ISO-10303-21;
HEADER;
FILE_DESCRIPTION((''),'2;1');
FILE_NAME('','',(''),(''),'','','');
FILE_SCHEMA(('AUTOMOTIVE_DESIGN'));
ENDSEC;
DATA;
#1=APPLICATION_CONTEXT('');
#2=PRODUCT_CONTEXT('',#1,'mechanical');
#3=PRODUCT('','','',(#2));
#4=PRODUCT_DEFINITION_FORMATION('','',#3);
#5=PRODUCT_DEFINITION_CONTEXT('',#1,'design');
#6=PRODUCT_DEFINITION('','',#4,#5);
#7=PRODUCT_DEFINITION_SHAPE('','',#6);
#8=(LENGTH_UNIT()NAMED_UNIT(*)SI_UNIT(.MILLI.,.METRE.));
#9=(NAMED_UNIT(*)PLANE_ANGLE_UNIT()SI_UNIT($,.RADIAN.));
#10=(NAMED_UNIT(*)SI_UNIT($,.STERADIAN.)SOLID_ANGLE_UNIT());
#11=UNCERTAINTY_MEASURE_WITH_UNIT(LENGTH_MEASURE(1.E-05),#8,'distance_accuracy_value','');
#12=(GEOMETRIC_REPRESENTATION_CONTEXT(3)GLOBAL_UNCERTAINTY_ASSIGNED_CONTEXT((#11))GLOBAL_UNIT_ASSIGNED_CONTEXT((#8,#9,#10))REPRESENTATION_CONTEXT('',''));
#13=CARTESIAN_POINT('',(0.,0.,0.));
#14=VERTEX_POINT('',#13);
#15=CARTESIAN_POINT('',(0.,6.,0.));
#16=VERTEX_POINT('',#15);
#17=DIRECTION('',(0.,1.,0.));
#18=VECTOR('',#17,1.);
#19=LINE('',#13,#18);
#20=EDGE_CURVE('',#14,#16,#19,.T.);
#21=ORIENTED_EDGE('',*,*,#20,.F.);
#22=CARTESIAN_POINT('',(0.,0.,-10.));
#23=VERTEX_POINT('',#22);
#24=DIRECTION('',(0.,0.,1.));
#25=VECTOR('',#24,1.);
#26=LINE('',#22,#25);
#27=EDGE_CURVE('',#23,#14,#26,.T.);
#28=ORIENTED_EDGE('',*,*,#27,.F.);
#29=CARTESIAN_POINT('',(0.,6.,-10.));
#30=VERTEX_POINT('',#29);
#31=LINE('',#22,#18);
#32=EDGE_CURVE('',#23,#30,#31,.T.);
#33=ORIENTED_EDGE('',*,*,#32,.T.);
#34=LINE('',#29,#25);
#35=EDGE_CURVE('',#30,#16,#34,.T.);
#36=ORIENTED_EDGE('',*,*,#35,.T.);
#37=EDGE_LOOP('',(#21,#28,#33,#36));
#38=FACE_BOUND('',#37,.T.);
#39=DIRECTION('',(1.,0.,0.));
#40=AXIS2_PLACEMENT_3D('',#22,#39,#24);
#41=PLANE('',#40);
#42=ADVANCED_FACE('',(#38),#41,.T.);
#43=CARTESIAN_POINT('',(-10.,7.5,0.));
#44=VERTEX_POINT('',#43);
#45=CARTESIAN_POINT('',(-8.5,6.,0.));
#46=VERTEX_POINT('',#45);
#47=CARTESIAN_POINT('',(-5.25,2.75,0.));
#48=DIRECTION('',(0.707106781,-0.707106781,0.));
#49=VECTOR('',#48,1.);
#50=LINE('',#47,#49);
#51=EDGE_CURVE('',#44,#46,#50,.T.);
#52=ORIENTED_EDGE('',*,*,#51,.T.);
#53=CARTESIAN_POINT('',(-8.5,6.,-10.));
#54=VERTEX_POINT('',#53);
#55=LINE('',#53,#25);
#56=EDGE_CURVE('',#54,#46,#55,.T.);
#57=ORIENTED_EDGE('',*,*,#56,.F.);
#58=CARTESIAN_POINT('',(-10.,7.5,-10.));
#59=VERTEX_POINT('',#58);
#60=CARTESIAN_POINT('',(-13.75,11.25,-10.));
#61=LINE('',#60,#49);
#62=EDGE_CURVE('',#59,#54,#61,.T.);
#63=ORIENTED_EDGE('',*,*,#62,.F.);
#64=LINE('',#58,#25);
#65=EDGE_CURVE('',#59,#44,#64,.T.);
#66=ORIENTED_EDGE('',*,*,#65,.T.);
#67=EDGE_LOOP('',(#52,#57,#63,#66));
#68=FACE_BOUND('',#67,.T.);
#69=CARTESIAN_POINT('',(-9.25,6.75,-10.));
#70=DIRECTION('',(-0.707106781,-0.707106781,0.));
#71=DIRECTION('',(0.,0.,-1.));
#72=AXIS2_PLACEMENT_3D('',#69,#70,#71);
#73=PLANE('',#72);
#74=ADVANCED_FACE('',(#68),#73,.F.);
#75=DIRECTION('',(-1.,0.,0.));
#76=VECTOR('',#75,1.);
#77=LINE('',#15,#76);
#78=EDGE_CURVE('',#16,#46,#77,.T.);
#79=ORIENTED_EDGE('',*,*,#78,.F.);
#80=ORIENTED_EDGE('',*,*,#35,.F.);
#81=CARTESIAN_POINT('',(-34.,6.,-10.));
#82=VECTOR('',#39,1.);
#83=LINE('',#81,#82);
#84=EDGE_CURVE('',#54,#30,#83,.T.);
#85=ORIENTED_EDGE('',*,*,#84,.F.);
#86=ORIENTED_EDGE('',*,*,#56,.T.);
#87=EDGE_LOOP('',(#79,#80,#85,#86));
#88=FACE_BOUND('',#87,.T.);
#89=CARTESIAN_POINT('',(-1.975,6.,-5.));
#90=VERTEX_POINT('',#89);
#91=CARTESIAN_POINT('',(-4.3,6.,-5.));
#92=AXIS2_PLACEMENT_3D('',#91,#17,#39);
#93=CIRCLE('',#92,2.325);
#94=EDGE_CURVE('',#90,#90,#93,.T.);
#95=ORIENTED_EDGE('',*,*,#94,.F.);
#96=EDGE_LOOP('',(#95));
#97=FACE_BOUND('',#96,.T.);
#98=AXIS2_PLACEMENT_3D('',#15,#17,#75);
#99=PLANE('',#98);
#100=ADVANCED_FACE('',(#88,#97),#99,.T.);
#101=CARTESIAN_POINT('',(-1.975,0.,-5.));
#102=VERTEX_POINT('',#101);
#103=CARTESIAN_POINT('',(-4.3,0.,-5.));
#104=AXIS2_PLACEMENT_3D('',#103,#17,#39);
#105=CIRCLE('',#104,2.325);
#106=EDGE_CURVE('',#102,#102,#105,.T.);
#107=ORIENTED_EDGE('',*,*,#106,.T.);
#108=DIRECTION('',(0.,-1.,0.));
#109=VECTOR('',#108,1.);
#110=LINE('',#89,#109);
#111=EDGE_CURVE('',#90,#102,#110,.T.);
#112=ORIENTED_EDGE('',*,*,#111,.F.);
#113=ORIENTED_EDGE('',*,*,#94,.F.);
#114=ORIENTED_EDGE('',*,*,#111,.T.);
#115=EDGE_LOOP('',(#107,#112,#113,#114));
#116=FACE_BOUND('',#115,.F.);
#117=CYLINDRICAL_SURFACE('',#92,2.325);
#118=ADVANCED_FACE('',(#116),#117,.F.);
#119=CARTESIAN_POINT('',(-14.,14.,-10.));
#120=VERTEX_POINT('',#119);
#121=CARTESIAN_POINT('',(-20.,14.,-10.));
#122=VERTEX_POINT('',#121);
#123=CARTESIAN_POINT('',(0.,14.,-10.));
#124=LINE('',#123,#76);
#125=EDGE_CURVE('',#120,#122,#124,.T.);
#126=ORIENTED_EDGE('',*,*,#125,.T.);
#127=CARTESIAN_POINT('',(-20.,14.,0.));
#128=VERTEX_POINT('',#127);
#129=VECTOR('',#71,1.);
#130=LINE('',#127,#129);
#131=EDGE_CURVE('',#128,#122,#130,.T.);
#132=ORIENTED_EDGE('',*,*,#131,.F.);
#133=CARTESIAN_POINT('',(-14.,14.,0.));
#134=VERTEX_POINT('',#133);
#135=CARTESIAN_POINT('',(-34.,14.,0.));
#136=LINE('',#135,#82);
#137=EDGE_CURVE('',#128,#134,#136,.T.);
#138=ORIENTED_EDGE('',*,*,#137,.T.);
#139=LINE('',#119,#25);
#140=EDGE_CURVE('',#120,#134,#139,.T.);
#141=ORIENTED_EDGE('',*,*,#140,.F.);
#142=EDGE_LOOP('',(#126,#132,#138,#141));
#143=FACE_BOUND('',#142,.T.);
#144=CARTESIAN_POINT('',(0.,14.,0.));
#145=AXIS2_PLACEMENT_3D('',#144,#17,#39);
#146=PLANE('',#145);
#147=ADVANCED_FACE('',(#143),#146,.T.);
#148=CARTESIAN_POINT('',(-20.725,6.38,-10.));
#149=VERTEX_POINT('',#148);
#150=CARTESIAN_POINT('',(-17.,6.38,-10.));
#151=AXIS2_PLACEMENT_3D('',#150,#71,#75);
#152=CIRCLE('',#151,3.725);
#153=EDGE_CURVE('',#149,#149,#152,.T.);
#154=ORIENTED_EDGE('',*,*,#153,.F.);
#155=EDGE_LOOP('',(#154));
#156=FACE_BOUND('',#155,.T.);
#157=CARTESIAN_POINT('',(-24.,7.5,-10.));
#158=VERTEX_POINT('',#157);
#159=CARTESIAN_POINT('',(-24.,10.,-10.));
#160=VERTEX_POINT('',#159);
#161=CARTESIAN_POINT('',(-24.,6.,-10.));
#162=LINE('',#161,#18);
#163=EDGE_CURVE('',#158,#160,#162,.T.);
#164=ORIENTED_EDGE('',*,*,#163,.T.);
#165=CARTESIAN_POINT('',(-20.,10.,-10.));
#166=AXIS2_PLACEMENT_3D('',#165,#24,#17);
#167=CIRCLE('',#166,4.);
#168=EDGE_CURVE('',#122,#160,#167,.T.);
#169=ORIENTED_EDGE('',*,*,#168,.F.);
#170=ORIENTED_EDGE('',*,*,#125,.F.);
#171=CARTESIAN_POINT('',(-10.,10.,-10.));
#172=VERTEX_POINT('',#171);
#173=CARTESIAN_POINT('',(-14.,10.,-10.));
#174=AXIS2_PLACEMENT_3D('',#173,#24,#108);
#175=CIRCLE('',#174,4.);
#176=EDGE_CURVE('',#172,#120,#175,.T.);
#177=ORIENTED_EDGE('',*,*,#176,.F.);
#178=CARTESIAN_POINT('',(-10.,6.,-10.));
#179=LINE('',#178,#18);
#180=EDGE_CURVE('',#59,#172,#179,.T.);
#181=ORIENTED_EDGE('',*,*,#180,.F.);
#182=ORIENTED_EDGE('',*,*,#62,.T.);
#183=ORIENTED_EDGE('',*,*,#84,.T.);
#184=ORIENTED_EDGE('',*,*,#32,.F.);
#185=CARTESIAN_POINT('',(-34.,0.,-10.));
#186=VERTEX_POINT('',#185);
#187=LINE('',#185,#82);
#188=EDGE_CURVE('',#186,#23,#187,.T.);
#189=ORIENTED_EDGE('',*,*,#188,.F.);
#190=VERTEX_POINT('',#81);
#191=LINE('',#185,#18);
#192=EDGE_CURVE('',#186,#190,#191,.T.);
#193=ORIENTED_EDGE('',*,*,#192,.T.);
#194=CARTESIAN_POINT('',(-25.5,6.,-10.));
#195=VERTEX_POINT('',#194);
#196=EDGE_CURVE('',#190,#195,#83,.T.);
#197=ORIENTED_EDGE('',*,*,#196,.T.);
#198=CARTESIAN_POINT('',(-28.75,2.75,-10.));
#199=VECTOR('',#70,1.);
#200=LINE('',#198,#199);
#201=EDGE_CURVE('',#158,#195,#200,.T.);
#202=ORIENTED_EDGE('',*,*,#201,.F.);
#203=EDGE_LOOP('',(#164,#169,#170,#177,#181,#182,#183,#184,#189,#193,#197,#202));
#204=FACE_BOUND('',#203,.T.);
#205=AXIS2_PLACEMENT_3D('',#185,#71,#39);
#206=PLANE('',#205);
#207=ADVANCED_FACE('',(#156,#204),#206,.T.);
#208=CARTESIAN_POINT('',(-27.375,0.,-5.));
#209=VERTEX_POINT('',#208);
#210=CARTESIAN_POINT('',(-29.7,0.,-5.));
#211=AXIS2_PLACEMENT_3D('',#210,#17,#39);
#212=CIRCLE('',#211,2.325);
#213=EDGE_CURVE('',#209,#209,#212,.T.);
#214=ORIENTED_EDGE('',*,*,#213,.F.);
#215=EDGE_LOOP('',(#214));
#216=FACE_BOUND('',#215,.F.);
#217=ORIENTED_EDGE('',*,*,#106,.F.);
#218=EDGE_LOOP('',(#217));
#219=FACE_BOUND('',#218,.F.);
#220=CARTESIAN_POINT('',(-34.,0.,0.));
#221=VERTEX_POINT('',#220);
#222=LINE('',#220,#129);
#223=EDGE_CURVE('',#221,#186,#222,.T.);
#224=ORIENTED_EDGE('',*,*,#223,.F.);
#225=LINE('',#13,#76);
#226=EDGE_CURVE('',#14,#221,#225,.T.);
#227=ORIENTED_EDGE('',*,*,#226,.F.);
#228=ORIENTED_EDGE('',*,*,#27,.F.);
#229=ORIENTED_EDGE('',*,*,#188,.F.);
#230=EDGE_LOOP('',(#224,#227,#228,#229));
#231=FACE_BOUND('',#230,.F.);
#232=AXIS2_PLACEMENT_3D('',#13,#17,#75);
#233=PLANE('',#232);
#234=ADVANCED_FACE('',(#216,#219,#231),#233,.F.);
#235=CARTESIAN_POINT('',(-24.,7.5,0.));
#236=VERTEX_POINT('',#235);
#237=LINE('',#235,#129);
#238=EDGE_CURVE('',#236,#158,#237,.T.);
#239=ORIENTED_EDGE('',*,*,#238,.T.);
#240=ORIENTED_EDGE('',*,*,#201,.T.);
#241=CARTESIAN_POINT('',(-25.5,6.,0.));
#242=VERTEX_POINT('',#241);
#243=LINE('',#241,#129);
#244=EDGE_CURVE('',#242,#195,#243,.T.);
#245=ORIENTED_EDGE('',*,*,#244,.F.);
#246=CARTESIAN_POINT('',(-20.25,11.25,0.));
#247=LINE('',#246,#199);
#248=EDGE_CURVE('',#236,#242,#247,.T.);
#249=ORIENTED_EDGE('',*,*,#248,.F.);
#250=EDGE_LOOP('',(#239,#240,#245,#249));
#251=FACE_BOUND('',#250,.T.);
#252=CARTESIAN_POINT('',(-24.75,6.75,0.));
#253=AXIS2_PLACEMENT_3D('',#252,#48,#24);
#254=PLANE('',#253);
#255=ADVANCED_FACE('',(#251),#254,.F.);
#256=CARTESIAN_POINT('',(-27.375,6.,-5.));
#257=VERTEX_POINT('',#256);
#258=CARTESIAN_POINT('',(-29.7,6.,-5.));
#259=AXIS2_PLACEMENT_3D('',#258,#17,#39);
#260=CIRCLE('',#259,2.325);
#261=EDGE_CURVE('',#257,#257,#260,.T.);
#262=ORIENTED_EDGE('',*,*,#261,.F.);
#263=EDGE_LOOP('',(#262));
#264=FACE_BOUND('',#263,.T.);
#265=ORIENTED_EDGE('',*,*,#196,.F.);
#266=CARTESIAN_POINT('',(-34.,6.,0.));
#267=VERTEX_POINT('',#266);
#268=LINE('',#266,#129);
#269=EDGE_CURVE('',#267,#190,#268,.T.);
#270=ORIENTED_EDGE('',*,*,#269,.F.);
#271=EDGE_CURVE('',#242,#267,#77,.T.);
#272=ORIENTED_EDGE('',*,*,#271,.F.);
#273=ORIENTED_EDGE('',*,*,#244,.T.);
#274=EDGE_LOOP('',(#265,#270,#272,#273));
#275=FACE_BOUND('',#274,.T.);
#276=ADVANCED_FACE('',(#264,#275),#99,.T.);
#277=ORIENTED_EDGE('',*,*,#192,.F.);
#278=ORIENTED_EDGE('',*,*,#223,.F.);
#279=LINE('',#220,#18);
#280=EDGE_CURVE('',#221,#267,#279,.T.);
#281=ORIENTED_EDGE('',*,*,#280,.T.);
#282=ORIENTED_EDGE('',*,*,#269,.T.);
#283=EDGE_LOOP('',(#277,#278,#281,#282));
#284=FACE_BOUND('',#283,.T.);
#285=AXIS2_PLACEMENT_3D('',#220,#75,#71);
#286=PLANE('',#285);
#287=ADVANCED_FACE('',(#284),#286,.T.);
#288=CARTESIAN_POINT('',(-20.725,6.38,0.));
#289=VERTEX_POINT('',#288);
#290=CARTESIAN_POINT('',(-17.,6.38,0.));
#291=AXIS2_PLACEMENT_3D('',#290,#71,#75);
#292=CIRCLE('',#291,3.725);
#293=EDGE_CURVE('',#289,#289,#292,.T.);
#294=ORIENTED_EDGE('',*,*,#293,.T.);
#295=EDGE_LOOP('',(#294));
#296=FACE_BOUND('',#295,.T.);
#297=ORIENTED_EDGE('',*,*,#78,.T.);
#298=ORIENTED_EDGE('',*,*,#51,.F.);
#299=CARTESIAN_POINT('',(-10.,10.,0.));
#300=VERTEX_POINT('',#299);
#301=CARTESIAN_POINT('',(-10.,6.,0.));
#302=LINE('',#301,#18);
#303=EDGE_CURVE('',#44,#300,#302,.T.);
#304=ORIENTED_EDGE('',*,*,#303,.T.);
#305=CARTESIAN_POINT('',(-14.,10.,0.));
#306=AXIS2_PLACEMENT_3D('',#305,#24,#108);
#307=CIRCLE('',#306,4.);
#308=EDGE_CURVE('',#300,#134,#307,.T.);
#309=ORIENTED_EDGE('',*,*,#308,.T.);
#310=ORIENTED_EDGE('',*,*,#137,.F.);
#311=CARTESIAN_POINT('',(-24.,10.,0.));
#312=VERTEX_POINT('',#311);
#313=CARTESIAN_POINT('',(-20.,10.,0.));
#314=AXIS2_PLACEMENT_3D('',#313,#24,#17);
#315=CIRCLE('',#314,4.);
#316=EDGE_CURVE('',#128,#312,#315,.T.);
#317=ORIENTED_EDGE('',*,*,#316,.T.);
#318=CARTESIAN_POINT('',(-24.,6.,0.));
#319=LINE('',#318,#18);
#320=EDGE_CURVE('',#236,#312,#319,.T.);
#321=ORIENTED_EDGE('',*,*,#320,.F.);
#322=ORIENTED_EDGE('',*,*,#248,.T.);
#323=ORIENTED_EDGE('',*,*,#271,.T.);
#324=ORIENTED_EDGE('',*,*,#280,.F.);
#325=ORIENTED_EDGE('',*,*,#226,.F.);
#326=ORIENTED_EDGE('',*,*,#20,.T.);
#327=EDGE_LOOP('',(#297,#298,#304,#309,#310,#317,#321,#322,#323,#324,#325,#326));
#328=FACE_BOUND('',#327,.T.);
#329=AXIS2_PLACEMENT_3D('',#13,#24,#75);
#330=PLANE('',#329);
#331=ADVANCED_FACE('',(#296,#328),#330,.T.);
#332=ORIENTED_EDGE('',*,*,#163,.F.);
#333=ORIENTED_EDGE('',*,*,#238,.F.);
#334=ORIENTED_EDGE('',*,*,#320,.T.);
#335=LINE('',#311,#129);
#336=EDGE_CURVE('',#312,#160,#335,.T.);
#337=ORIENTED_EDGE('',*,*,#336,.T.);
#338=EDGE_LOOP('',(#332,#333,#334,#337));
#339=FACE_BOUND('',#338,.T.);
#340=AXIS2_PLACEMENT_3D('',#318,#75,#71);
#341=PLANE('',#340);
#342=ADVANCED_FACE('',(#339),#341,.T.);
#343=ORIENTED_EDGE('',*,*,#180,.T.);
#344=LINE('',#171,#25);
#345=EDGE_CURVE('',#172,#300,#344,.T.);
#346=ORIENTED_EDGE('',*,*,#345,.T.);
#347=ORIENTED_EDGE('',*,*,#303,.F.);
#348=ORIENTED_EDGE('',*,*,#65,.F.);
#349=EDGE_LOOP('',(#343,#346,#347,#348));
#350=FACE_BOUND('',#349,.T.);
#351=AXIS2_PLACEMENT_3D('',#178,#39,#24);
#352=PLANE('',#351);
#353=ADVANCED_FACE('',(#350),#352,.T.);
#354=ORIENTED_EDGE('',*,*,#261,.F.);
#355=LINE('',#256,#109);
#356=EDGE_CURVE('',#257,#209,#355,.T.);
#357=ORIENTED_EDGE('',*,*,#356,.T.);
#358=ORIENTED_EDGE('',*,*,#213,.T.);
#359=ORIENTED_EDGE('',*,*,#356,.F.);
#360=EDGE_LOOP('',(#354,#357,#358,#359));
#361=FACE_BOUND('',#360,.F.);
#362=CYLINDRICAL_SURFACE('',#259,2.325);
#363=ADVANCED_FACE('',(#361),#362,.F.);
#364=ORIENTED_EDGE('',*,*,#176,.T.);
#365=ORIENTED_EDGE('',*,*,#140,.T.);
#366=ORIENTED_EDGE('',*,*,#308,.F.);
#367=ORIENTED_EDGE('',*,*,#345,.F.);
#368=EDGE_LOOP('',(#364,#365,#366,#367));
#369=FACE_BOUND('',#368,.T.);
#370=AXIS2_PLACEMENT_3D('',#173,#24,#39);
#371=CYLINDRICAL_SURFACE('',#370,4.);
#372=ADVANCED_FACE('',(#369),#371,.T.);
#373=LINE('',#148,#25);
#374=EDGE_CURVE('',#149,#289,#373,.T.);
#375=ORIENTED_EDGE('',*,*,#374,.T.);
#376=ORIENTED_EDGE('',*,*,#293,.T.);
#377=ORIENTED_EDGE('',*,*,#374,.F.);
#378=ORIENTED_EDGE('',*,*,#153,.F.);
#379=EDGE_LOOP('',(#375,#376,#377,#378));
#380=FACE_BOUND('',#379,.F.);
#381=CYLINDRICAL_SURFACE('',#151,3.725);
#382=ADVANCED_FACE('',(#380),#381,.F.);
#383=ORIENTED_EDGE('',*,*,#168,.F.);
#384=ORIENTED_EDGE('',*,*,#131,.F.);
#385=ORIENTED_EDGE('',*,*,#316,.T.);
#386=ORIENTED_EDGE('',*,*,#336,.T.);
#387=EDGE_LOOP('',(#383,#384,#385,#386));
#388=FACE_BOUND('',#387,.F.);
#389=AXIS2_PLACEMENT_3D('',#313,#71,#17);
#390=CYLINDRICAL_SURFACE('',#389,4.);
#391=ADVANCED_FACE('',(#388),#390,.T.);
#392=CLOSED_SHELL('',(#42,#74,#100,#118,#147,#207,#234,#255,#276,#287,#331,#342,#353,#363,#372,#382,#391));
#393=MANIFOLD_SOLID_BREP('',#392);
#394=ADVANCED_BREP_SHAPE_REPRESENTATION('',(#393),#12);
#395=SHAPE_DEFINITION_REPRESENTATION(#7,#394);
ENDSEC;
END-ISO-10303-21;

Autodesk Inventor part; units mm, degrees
ref_plane "YZ Plane" through (0, 0, 0) normal (1, 0, 0) x (0, 1, 0)
ref_plane "XZ Plane" through (0, 0, 0) normal (0, 1, 0) x (-1, 0, 0)
ref_plane "XY Plane" through (0, 0, 0) normal (0, 0, 1) x (1, 0, 0)
sketch "Sketch1" plane through (0, 0, 0) normal (0, 1, 0) x (-1, 0, 0)
  line L0 (0, 0) -> (34, 0)
  line L1 (34, 0) -> (34, -10)
  line L2 (34, -10) -> (0, -10)
  line L3 (0, -10) -> (0, 0)
  dimension "d0" = 34
  dimension "d1" = 10
extrude "Extrusion1" add sketch "Sketch1" along normal blind 6
sketch "Sketch3" plane through (0, 6, 0) normal (0, 1, 0) x (1, 0, 0)
  circle A0 centre (-4.3, 5) radius 2.325
  line L0 (0, 10) -> (-34, 10) projected
  circle A1 centre (-29.7, 5) radius 2.325
  line L1 (-34, 10) -> (-34, 0) projected
  line L2 (0, 0) -> (0, 10) projected
  dimension "d4" = 4.65
  dimension "d5" = 5
  dimension "d6" = 4.65
  dimension "d7" = 5
  dimension "d9" = 4.3
  dimension "d10" = 4.3
extrude "Extrusion2" cut sketch "Sketch3" against normal through all
sketch "Sketch4" plane through (0, 6, 0) normal (0, 1, 0) x (1, 0, 0)
  line L0 (-34, 0) -> (0, 0) projected
  line L1 (0, 10) -> (-34, 10) projected
  line L2 (-10, 0) -> (-24, 0)
  line L3 (-24, 0) -> (-24, 10)
  line L4 (-24, 10) -> (-10, 10)
  line L5 (-10, 10) -> (-10, 0)
  circle A0 centre (-4.3, 5) radius 2.325 projected
  line L6 (-34, 10) -> (-34, 0) projected
  line L7 (0, 0) -> (0, 10) projected
  point P0 (-10, 10)
  point P1 (-24, 0)
  dimension "d34" = 14
  dimension "d35" = 10
extrude "Extrusion3" add sketch "Sketch4" along normal blind 8 contours L3 L1 L5 L0
sketch "Sketch6" plane through (0, 0, -10) normal (0, 0, -1) x (-1, 0, 0)
  circle A0 centre (17, 6.38) radius 3.725
  line L0 (10, 14) -> (24, 14) projected
  line L1 (24, 6) -> (24, 14) projected
  point P0 (0, 0)
  dimension "d26" = 7.45
  dimension "d36" = 7.62
  dimension "d37" = 7
extrude "Extrusion4" cut sketch "Sketch6" against normal through all
fillet "Fillet2" radius 4 2 edges at (-24, 14, -5) (-10, 14, -5)
chamfer "Chamfer1" distance 1.5 angle 45 2 edges at (-10, 6, -5) (-24, 6, -5)
properties part number "Modular_Single_Axle_V41Y"
